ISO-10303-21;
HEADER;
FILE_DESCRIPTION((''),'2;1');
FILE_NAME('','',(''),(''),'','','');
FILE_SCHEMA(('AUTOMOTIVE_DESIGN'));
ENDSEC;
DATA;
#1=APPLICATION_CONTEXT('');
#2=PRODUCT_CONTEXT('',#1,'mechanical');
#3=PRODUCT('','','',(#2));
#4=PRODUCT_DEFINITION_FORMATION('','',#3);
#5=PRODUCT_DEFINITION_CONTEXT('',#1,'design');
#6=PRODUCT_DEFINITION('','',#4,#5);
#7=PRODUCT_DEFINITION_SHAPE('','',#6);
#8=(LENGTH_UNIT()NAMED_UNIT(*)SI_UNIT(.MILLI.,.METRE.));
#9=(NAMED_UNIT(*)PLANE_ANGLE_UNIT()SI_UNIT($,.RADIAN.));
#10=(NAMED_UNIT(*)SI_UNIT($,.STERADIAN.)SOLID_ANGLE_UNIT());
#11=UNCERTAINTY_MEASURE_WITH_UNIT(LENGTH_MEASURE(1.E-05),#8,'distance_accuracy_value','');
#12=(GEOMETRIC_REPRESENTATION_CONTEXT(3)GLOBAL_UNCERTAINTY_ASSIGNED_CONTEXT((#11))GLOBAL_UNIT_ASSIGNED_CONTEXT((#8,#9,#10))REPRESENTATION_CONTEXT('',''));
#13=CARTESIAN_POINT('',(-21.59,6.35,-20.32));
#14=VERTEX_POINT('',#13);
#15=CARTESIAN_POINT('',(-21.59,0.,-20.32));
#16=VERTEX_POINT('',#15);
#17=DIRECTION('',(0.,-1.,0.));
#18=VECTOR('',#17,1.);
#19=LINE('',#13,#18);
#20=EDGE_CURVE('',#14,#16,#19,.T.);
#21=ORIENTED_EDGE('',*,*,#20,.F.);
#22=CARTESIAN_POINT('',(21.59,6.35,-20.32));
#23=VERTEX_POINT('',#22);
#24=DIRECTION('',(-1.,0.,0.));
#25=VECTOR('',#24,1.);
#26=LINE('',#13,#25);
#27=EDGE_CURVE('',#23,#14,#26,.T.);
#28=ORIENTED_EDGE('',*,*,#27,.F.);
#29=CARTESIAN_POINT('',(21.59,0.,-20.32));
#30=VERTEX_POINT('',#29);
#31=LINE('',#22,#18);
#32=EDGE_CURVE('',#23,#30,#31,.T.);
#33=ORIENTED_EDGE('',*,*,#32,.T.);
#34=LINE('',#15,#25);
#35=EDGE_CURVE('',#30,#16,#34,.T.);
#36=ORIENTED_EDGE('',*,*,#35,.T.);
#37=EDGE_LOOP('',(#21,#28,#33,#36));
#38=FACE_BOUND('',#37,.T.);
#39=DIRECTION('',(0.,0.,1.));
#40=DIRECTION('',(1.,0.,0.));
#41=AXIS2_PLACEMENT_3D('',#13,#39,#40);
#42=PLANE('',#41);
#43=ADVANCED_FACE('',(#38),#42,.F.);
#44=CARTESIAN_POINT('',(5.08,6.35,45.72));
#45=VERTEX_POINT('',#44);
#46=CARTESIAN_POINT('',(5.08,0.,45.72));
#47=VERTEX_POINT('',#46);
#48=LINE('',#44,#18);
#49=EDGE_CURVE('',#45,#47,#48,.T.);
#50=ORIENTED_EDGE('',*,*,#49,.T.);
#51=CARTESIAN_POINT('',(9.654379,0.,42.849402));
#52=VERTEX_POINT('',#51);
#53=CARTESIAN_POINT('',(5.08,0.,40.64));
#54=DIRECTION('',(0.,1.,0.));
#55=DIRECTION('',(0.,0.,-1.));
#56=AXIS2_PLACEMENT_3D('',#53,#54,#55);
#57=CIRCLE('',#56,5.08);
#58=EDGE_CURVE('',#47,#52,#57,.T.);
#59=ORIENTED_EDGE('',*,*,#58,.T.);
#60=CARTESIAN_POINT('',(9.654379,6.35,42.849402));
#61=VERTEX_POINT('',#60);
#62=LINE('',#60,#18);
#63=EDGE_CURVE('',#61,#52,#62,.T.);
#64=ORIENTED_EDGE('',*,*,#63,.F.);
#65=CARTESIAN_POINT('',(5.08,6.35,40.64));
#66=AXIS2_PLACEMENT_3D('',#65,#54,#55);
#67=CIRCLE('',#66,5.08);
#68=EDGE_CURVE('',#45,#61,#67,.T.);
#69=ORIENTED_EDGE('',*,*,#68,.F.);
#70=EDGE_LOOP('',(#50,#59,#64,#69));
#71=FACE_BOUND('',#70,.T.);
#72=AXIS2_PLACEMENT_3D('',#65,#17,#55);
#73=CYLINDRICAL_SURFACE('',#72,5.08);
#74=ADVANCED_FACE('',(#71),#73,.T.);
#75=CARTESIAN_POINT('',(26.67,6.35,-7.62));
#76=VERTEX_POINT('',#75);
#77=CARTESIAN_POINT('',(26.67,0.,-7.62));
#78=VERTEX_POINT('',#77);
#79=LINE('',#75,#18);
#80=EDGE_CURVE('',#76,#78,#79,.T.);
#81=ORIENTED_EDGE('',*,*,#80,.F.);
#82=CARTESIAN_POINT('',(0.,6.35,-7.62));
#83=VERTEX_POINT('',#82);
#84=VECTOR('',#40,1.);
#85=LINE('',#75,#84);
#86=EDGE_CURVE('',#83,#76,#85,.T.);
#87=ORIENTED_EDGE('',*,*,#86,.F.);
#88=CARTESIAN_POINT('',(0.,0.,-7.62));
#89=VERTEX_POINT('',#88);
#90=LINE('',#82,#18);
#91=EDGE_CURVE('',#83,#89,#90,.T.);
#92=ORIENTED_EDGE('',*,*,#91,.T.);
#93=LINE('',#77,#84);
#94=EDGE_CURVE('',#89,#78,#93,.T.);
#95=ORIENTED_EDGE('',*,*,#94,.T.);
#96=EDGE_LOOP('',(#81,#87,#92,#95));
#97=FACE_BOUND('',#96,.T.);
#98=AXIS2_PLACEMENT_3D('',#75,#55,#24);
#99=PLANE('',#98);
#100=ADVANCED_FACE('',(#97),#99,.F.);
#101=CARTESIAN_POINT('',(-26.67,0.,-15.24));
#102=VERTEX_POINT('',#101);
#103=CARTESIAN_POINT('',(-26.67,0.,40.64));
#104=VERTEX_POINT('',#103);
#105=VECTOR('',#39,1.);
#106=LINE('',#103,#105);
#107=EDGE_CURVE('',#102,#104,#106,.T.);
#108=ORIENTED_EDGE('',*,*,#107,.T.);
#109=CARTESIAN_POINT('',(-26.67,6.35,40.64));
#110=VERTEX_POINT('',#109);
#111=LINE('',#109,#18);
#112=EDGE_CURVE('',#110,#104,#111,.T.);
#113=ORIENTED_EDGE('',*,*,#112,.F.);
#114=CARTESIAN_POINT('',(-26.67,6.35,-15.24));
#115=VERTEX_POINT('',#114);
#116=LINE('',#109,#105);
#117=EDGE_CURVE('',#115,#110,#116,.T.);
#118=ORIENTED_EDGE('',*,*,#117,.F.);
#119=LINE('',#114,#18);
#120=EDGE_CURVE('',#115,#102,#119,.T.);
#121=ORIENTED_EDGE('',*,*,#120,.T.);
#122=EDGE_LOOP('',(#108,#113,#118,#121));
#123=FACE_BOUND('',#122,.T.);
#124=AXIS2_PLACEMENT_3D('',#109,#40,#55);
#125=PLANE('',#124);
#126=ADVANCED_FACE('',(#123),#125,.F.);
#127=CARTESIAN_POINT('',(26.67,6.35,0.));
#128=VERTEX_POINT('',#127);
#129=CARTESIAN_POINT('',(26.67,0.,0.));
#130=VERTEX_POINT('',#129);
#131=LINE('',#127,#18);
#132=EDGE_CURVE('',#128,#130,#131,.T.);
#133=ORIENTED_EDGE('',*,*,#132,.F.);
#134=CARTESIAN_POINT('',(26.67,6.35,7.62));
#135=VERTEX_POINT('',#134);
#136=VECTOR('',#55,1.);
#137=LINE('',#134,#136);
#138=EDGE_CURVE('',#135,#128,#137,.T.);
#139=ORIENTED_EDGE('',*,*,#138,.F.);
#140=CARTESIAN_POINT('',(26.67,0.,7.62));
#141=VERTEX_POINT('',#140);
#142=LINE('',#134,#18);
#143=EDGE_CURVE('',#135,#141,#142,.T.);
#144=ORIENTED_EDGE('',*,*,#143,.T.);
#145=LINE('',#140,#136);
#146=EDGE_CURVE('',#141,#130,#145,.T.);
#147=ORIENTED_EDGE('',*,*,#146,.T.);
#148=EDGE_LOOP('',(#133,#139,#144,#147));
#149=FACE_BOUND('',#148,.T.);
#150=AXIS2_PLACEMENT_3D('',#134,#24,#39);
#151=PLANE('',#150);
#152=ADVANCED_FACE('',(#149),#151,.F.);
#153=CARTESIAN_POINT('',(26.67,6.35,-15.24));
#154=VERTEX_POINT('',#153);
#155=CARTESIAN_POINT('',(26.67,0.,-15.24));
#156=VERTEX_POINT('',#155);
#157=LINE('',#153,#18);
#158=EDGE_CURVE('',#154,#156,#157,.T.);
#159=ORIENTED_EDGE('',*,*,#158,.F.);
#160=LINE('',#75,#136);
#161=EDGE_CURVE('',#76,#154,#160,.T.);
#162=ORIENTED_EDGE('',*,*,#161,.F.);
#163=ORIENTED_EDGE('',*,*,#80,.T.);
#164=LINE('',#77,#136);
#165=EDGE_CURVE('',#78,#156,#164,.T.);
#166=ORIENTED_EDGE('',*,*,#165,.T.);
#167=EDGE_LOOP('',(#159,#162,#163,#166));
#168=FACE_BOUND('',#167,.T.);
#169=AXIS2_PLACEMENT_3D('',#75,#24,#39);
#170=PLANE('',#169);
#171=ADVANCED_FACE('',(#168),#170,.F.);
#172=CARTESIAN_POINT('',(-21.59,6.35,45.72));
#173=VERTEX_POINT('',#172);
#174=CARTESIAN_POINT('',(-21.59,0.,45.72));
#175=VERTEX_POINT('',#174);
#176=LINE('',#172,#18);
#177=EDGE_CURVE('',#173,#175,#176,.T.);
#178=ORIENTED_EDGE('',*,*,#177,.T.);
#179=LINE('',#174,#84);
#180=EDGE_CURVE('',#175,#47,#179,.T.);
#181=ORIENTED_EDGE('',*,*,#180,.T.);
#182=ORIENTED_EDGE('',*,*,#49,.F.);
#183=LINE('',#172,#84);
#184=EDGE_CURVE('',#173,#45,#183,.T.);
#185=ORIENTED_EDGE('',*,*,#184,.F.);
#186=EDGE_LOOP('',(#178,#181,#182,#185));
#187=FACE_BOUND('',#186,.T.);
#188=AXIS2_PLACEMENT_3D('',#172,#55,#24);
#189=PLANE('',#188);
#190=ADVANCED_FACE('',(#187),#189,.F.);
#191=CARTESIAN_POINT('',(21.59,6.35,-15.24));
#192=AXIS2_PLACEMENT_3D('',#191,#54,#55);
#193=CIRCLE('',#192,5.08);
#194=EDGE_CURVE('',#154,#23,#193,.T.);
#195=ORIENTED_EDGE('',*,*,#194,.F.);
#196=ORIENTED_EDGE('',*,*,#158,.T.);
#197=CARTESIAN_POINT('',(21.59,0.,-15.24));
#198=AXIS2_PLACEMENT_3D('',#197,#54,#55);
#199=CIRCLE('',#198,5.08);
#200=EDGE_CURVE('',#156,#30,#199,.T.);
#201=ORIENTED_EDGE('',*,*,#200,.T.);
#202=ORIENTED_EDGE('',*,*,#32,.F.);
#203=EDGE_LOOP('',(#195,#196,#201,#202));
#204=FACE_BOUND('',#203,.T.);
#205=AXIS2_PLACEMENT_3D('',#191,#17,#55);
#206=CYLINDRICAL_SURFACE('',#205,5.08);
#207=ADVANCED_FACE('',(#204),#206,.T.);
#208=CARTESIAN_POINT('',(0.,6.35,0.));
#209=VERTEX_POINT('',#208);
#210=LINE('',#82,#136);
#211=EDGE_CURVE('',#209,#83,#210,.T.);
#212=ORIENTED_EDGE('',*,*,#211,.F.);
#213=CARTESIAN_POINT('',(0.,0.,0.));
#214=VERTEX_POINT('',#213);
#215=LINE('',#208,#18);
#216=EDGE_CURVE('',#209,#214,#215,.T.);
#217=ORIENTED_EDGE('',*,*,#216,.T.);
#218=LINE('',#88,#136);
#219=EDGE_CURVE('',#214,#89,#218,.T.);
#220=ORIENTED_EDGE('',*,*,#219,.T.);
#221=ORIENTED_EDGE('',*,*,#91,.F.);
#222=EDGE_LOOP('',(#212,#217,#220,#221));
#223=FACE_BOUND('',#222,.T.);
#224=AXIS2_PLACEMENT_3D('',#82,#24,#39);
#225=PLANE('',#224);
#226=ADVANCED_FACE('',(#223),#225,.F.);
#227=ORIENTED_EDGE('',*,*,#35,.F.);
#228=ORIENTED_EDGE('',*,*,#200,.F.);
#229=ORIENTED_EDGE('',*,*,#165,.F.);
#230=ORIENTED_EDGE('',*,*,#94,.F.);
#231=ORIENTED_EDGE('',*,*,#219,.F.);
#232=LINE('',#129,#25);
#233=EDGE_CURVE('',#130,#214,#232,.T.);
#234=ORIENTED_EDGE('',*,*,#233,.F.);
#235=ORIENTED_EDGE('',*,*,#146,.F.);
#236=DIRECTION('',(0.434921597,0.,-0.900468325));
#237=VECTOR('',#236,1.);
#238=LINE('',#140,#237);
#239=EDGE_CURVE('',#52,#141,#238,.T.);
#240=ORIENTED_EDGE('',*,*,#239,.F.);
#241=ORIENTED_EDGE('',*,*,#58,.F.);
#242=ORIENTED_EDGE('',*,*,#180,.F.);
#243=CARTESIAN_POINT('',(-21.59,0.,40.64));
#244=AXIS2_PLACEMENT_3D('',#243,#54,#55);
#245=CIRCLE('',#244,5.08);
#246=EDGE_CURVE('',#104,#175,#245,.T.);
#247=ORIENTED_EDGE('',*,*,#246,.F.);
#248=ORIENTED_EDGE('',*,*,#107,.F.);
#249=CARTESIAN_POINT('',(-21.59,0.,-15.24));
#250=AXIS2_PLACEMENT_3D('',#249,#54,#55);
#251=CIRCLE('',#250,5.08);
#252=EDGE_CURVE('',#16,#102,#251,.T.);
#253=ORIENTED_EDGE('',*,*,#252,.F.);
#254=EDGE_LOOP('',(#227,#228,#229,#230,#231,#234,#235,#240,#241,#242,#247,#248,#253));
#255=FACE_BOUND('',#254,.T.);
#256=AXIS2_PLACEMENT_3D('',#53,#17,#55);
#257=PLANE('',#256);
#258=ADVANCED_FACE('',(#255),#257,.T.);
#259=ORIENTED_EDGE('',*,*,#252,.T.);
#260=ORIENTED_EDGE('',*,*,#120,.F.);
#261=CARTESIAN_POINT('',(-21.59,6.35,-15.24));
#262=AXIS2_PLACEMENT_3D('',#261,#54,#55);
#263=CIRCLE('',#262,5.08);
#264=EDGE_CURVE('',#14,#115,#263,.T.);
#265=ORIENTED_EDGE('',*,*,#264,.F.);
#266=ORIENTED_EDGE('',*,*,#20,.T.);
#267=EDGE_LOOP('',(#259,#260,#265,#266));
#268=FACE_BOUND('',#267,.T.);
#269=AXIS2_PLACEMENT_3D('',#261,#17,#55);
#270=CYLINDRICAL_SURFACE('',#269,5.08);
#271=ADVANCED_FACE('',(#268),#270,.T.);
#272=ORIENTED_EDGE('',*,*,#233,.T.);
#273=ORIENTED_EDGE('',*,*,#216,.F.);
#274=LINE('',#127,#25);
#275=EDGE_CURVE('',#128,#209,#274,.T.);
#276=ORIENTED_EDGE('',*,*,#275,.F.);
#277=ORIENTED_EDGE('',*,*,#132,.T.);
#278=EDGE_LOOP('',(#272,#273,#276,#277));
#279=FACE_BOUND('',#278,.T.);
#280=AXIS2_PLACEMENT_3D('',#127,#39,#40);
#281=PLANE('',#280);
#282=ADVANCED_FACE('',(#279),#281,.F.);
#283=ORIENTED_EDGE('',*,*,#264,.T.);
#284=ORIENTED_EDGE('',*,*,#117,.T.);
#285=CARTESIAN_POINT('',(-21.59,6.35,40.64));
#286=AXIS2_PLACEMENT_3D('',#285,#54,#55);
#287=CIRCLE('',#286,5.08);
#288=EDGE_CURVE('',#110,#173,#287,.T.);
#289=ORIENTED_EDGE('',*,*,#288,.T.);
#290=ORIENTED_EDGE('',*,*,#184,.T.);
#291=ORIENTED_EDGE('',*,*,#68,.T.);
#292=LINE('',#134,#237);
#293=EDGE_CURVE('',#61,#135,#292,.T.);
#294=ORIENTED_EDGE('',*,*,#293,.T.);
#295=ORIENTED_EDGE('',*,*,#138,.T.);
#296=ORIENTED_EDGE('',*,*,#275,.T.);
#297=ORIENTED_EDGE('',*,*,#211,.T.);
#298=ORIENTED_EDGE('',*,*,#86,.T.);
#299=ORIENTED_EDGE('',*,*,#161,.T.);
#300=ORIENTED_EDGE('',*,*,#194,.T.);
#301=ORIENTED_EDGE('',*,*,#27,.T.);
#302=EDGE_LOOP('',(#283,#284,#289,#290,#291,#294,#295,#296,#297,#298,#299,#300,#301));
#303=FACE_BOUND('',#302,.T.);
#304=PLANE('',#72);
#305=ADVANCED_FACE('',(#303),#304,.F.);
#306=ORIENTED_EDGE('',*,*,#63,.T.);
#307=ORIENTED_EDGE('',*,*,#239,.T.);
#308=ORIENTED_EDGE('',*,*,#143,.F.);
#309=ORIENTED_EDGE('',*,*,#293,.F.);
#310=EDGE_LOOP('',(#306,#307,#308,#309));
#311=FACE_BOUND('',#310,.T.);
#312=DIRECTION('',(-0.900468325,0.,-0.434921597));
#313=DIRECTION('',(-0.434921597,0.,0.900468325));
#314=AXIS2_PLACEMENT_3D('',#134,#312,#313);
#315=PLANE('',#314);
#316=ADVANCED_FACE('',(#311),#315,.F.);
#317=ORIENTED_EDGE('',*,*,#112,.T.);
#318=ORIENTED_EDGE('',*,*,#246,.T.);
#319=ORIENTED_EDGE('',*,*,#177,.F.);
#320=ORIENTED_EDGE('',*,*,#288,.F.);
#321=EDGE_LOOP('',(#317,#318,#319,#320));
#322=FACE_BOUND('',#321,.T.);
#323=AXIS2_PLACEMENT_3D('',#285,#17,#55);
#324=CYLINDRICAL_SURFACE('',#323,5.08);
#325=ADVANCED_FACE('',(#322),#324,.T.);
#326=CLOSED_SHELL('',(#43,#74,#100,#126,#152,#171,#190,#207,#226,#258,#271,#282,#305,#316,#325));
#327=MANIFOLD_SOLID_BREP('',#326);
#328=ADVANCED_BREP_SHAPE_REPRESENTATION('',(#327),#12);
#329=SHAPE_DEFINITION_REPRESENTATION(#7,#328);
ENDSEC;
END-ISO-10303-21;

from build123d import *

# Parameters (mm, degrees)
BOSS_EXTRUDE1_DEPTH = 6.35


with BuildPart() as part:
    # Sketch1 → Boss-Extrude1 (new body)
    with BuildSketch(Plane(origin=(0, 0, 0), x_dir=(1, 0, 0), z_dir=(0, 1, 0))):
        with BuildLine():
            Line((26.67, 7.62), (26.67, 15.24))
            ThreePointArc((26.67, 15.24), (25.182102448, 18.832102448), (21.59, 20.32))
            Line((21.59, 20.32), (-21.59, 20.32))
            ThreePointArc((-21.59, 20.32), (-25.182102448, 18.832102448), (-26.67, 15.24))
            Line((-26.67, 15.24), (-26.67, -40.64))
            ThreePointArc((-26.67, -40.64), (-25.182102448, -44.232102448), (-21.59, -45.72))
            Line((-21.59, -45.72), (5.08, -45.72))
            ThreePointArc((5.08, -45.72), (7.780244368, -44.942915332), (9.654379091, -42.849401713))
            Line((9.654379091, -42.849401713), (26.67, -7.62))
            Line((26.67, -7.62), (26.67, 0))
            Line((26.67, 0), (0, 0))
            Line((0, 0), (0, 7.62))
            Line((0, 7.62), (26.67, 7.62))
        make_face()
    extrude(amount=BOSS_EXTRUDE1_DEPTH)


solid = part.part
